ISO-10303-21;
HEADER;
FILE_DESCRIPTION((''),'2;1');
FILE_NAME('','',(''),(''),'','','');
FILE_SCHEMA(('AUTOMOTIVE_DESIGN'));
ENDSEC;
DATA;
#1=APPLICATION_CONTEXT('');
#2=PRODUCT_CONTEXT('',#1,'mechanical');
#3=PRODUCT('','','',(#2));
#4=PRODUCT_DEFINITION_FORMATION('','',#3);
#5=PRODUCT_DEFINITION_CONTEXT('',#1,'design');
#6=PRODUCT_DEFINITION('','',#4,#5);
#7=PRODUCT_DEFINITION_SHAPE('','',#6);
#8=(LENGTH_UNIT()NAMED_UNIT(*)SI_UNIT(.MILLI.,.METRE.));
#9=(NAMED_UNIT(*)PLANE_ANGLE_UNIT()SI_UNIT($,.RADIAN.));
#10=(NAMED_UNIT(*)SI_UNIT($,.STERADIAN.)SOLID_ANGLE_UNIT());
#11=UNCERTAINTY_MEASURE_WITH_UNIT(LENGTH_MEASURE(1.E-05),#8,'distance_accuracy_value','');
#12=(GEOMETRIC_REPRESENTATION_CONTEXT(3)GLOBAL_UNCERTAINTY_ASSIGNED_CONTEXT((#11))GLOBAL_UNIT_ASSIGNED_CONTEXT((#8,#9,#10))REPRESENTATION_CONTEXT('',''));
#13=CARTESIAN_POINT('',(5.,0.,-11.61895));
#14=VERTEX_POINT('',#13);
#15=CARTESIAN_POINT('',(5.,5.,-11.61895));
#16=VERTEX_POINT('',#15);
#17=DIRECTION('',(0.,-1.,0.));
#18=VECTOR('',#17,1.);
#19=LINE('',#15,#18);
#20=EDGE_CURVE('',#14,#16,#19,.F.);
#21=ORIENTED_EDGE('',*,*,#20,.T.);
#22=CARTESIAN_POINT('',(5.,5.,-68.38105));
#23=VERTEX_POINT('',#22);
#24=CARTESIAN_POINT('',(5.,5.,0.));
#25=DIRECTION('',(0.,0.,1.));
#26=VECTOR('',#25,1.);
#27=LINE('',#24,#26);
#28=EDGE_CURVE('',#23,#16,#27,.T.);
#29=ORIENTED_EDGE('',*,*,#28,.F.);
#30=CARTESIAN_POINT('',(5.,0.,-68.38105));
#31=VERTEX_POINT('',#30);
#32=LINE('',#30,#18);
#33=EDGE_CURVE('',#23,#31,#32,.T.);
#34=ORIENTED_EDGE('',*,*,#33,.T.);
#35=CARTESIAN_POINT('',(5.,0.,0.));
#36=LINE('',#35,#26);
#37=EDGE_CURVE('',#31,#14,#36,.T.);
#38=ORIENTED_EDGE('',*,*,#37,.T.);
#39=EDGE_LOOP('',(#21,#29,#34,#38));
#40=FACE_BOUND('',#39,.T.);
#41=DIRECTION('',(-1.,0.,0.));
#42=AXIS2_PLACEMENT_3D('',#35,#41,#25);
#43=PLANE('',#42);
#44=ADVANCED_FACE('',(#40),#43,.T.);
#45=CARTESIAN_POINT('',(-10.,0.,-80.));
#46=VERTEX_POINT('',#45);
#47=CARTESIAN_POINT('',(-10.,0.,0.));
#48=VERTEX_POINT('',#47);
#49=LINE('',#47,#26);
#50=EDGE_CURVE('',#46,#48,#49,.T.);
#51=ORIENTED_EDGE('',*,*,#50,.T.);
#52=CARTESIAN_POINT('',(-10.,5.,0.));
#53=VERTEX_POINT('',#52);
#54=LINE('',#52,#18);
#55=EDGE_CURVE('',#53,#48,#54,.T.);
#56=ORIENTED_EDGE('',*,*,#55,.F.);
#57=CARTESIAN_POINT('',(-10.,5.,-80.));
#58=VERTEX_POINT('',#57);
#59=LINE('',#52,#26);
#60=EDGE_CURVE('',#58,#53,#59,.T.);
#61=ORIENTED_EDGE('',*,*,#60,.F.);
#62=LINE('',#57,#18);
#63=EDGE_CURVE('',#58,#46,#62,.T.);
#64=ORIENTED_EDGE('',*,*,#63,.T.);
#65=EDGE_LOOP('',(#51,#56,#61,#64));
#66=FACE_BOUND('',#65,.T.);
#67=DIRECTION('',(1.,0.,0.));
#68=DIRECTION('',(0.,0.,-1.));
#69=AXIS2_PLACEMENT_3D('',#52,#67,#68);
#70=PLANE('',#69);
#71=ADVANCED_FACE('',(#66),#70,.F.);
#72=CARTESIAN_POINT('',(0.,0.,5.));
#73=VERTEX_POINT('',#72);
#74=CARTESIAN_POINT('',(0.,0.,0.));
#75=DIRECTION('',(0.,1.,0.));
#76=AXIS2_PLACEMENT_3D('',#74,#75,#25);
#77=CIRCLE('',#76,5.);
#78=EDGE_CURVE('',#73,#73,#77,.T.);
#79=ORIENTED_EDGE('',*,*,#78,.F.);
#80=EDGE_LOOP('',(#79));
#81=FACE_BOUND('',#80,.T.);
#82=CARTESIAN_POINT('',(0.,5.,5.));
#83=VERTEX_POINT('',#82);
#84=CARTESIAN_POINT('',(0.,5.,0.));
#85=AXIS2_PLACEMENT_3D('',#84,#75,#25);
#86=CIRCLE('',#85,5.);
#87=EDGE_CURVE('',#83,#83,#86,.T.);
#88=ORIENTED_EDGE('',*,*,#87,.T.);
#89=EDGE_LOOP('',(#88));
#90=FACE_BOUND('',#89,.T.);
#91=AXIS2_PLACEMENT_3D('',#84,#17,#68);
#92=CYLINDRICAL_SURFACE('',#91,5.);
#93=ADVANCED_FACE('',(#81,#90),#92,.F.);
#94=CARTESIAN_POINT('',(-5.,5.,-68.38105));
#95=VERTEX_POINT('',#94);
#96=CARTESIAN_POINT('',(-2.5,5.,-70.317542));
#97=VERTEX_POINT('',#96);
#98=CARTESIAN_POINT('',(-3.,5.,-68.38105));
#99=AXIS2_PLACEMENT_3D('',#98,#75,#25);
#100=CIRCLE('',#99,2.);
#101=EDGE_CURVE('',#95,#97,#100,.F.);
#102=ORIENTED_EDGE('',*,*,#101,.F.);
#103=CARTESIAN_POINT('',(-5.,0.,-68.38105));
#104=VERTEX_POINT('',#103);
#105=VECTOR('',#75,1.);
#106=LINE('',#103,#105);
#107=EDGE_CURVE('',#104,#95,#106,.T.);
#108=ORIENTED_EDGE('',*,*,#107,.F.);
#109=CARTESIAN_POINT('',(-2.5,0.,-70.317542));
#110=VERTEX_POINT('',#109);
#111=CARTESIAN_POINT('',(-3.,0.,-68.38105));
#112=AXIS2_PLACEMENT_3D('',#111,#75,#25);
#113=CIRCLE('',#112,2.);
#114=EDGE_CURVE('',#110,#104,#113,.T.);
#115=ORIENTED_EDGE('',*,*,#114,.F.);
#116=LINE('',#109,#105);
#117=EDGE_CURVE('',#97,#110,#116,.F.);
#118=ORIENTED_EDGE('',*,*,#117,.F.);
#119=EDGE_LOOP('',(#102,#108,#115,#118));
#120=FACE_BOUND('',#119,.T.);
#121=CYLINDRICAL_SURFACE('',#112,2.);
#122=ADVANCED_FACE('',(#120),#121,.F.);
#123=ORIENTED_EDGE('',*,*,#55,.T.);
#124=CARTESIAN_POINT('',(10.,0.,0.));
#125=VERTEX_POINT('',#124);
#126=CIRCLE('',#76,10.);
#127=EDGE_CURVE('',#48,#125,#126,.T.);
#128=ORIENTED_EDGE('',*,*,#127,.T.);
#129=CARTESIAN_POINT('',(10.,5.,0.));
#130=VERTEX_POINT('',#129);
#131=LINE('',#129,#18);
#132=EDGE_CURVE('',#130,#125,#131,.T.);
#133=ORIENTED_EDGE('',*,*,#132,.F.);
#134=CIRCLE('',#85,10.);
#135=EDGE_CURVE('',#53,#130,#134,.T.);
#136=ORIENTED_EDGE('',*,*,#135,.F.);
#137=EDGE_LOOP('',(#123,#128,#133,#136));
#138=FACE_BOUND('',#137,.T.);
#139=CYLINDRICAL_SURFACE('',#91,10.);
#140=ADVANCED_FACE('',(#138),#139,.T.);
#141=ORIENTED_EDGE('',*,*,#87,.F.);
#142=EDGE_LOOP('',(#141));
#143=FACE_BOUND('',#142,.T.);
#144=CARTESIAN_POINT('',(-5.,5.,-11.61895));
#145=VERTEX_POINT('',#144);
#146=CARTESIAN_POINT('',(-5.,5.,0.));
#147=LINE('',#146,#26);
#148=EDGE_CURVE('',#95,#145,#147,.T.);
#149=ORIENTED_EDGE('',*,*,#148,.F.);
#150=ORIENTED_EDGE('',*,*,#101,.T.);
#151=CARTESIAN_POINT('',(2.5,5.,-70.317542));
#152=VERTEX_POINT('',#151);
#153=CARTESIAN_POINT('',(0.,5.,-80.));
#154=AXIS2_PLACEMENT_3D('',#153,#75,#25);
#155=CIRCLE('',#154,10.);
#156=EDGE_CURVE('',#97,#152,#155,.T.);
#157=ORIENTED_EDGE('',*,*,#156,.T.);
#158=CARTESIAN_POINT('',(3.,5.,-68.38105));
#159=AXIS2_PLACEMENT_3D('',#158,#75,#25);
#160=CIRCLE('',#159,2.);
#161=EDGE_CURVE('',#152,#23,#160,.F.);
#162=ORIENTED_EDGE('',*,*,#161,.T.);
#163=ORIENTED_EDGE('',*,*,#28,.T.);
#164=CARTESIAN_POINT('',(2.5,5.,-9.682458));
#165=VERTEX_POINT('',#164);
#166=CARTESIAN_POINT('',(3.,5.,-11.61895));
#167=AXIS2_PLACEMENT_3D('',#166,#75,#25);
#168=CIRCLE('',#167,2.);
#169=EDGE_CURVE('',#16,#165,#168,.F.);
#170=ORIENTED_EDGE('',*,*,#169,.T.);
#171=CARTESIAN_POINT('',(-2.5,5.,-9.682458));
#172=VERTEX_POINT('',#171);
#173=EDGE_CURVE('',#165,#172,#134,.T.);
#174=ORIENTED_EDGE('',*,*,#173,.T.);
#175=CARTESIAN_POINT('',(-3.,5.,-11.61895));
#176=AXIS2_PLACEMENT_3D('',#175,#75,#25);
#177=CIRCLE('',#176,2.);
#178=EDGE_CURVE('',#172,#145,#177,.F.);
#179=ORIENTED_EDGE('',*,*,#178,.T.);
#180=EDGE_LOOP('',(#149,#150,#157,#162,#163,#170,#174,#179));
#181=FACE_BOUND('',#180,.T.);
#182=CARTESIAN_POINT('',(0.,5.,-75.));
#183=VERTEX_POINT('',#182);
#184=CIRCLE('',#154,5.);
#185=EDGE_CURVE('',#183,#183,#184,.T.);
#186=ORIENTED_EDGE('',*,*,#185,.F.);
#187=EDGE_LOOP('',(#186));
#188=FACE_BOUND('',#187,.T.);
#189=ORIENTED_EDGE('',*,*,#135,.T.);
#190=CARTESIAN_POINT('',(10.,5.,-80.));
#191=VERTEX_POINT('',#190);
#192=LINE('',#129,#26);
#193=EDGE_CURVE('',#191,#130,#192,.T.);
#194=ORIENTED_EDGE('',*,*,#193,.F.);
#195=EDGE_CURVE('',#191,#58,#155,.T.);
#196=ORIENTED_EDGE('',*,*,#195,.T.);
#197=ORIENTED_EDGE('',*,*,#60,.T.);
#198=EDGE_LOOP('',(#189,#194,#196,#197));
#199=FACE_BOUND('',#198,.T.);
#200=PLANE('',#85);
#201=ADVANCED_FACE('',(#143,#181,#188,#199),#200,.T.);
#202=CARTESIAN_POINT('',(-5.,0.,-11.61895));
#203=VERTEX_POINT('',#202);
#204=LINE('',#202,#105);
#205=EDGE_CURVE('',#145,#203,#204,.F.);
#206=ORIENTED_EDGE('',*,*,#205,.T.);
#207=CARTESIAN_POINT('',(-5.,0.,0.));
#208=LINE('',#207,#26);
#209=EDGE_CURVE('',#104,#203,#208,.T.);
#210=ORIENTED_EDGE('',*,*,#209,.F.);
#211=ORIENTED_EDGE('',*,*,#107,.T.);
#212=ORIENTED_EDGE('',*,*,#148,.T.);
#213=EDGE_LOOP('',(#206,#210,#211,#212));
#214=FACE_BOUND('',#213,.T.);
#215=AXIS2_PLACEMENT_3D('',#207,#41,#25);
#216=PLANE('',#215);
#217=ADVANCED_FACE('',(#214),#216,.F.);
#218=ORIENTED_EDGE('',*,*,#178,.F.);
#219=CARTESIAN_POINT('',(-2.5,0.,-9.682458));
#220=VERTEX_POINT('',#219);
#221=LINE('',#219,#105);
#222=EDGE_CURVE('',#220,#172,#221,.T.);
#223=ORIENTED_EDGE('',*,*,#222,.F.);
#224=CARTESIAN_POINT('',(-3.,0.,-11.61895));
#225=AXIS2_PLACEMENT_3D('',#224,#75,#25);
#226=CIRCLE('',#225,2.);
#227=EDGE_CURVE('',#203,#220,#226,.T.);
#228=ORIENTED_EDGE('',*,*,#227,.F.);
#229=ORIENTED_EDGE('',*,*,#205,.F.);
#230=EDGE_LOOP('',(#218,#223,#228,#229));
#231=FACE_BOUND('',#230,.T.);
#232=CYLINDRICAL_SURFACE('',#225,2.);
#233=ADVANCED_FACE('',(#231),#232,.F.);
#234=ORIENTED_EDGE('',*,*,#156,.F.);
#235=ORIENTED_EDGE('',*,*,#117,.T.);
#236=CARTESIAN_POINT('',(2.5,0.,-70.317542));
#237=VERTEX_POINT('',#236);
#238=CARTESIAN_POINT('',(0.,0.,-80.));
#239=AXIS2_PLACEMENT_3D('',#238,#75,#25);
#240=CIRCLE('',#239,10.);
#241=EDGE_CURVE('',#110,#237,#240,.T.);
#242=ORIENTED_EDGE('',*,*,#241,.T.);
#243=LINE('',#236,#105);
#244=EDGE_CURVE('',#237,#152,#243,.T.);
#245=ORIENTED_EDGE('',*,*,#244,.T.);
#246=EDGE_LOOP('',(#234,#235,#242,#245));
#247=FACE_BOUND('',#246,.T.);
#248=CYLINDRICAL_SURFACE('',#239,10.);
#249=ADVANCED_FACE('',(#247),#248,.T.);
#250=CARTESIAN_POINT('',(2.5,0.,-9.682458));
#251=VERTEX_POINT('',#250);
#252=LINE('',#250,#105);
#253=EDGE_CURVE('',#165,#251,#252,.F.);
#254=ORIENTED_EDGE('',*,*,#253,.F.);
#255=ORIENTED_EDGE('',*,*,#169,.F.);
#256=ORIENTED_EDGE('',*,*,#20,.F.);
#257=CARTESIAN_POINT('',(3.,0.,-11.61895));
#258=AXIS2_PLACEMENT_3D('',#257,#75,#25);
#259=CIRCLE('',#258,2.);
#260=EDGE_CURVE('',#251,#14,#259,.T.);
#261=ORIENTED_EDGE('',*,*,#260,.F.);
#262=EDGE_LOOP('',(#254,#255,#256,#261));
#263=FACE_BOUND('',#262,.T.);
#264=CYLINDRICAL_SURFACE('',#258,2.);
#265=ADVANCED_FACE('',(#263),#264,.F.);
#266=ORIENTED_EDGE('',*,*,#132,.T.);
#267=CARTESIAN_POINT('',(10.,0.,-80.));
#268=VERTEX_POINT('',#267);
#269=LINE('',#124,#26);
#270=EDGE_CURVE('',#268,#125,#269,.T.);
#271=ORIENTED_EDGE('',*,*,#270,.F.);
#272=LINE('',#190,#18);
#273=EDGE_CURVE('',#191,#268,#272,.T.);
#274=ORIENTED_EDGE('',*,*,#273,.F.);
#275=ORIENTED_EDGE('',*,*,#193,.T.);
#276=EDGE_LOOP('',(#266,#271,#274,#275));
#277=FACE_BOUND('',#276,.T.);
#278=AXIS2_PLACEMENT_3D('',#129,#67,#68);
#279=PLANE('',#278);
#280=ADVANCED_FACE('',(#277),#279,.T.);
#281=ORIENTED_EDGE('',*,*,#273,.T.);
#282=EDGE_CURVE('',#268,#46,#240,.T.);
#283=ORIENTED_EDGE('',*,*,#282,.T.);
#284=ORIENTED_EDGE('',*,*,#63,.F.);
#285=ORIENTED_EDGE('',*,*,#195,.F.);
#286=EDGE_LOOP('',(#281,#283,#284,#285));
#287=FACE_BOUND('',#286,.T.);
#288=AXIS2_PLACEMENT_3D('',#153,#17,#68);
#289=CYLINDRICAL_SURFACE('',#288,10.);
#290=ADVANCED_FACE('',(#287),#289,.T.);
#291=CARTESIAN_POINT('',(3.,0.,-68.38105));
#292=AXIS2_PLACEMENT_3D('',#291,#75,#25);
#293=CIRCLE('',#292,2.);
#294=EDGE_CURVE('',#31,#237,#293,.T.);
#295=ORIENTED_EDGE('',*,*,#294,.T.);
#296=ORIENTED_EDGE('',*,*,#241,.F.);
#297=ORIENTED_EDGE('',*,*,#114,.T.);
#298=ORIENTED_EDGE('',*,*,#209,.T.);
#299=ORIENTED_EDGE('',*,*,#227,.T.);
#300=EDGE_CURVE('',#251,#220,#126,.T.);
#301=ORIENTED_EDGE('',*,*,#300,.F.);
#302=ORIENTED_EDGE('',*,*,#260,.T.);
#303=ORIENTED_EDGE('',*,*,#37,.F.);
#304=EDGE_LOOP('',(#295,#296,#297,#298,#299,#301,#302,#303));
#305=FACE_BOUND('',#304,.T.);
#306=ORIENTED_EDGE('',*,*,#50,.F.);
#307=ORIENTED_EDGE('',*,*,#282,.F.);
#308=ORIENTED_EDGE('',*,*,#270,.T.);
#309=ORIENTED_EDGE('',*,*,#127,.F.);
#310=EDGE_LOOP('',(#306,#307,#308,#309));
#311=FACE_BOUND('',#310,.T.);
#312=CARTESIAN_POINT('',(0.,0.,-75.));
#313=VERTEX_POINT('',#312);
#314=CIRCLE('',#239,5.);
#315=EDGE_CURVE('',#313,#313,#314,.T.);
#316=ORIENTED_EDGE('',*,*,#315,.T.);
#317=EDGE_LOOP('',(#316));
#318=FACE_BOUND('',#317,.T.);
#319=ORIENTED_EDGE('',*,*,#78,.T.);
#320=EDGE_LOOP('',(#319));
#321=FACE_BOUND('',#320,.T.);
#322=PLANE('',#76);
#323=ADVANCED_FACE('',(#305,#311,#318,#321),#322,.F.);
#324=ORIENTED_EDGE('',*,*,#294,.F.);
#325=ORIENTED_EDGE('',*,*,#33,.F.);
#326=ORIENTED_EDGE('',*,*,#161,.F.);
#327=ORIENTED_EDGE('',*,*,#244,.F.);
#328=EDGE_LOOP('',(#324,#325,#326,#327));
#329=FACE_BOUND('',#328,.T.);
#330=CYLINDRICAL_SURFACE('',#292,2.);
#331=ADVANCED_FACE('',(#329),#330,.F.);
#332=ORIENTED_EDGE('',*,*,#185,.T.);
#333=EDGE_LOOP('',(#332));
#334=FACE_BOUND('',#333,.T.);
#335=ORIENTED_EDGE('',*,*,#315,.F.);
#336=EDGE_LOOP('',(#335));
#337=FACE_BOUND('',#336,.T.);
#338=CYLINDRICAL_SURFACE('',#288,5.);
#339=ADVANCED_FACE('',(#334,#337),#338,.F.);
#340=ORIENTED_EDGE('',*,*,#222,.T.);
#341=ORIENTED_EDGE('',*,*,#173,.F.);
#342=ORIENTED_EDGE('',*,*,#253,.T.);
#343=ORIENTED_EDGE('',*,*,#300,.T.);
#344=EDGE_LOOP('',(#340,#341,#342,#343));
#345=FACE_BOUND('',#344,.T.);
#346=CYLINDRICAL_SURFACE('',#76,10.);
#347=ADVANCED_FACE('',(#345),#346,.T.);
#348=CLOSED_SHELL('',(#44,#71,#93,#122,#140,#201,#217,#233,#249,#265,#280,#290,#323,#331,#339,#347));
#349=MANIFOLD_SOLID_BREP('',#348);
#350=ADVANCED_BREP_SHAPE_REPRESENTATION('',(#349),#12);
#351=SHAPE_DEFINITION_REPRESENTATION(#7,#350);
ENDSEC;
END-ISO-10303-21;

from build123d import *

# Parameters (mm, degrees)
SKETCH_1_R          = 5
EXTRUDE_1_DEPTH     = 5
CUT_EXTRUDE_1_DEPTH = 91.691785736
FILLET_1_R          = 2


with BuildPart() as part:
    # 草图1 → 凸台-拉伸1 (new body)
    with BuildSketch(Plane(origin=(0, 0, 0), x_dir=(1, 0, 0), z_dir=(0, 1, 0))):
        with BuildLine():
            Line((-10, 80), (-10, 0))
            ThreePointArc((-10, 0), (0, -10), (10, 0))
            Line((10, 0), (10, 80))
            ThreePointArc((10, 80), (0, 90), (-10, 80))
        make_face()
        with Locations(Location((0, 0, 0), (0, 0, 270))):
            Circle(SKETCH_1_R, mode=Mode.SUBTRACT)
        with Locations(Location((0, 80, 0), (0, 0, 270))):
            Circle(SKETCH_1_R, mode=Mode.SUBTRACT)
    extrude(amount=EXTRUDE_1_DEPTH)

    # 草图2 → 切除-拉伸1 (cut, through all)
    with BuildSketch(Plane(origin=(0, 5, 0), x_dir=(1, 0, 0), z_dir=(0, 1, 0))):
        with BuildLine():
            ThreePointArc((5, 71.339745962), (0, 70), (-5, 71.339745962))
            Line((-5, 71.339745962), (-5, 8.660254038))
            ThreePointArc((-5, 8.660254038), (0, 10), (5, 8.660254038))
            Line((5, 8.660254038), (5, 71.339745962))
        make_face()
    extrude(amount=-CUT_EXTRUDE_1_DEPTH, mode=Mode.SUBTRACT)

    # 圆角1
    fillet_1_edges = [part.edges().sort_by_distance(p)[0] for p in [
        (-5, 2.5, -71.339745962),
        (5, 2.5, -71.339745962),
        (5, 2.5, -8.660254038),
        (-5, 2.5, -8.660254038),
    ]]
    fillet(fillet_1_edges, radius=FILLET_1_R)


solid = part.part
